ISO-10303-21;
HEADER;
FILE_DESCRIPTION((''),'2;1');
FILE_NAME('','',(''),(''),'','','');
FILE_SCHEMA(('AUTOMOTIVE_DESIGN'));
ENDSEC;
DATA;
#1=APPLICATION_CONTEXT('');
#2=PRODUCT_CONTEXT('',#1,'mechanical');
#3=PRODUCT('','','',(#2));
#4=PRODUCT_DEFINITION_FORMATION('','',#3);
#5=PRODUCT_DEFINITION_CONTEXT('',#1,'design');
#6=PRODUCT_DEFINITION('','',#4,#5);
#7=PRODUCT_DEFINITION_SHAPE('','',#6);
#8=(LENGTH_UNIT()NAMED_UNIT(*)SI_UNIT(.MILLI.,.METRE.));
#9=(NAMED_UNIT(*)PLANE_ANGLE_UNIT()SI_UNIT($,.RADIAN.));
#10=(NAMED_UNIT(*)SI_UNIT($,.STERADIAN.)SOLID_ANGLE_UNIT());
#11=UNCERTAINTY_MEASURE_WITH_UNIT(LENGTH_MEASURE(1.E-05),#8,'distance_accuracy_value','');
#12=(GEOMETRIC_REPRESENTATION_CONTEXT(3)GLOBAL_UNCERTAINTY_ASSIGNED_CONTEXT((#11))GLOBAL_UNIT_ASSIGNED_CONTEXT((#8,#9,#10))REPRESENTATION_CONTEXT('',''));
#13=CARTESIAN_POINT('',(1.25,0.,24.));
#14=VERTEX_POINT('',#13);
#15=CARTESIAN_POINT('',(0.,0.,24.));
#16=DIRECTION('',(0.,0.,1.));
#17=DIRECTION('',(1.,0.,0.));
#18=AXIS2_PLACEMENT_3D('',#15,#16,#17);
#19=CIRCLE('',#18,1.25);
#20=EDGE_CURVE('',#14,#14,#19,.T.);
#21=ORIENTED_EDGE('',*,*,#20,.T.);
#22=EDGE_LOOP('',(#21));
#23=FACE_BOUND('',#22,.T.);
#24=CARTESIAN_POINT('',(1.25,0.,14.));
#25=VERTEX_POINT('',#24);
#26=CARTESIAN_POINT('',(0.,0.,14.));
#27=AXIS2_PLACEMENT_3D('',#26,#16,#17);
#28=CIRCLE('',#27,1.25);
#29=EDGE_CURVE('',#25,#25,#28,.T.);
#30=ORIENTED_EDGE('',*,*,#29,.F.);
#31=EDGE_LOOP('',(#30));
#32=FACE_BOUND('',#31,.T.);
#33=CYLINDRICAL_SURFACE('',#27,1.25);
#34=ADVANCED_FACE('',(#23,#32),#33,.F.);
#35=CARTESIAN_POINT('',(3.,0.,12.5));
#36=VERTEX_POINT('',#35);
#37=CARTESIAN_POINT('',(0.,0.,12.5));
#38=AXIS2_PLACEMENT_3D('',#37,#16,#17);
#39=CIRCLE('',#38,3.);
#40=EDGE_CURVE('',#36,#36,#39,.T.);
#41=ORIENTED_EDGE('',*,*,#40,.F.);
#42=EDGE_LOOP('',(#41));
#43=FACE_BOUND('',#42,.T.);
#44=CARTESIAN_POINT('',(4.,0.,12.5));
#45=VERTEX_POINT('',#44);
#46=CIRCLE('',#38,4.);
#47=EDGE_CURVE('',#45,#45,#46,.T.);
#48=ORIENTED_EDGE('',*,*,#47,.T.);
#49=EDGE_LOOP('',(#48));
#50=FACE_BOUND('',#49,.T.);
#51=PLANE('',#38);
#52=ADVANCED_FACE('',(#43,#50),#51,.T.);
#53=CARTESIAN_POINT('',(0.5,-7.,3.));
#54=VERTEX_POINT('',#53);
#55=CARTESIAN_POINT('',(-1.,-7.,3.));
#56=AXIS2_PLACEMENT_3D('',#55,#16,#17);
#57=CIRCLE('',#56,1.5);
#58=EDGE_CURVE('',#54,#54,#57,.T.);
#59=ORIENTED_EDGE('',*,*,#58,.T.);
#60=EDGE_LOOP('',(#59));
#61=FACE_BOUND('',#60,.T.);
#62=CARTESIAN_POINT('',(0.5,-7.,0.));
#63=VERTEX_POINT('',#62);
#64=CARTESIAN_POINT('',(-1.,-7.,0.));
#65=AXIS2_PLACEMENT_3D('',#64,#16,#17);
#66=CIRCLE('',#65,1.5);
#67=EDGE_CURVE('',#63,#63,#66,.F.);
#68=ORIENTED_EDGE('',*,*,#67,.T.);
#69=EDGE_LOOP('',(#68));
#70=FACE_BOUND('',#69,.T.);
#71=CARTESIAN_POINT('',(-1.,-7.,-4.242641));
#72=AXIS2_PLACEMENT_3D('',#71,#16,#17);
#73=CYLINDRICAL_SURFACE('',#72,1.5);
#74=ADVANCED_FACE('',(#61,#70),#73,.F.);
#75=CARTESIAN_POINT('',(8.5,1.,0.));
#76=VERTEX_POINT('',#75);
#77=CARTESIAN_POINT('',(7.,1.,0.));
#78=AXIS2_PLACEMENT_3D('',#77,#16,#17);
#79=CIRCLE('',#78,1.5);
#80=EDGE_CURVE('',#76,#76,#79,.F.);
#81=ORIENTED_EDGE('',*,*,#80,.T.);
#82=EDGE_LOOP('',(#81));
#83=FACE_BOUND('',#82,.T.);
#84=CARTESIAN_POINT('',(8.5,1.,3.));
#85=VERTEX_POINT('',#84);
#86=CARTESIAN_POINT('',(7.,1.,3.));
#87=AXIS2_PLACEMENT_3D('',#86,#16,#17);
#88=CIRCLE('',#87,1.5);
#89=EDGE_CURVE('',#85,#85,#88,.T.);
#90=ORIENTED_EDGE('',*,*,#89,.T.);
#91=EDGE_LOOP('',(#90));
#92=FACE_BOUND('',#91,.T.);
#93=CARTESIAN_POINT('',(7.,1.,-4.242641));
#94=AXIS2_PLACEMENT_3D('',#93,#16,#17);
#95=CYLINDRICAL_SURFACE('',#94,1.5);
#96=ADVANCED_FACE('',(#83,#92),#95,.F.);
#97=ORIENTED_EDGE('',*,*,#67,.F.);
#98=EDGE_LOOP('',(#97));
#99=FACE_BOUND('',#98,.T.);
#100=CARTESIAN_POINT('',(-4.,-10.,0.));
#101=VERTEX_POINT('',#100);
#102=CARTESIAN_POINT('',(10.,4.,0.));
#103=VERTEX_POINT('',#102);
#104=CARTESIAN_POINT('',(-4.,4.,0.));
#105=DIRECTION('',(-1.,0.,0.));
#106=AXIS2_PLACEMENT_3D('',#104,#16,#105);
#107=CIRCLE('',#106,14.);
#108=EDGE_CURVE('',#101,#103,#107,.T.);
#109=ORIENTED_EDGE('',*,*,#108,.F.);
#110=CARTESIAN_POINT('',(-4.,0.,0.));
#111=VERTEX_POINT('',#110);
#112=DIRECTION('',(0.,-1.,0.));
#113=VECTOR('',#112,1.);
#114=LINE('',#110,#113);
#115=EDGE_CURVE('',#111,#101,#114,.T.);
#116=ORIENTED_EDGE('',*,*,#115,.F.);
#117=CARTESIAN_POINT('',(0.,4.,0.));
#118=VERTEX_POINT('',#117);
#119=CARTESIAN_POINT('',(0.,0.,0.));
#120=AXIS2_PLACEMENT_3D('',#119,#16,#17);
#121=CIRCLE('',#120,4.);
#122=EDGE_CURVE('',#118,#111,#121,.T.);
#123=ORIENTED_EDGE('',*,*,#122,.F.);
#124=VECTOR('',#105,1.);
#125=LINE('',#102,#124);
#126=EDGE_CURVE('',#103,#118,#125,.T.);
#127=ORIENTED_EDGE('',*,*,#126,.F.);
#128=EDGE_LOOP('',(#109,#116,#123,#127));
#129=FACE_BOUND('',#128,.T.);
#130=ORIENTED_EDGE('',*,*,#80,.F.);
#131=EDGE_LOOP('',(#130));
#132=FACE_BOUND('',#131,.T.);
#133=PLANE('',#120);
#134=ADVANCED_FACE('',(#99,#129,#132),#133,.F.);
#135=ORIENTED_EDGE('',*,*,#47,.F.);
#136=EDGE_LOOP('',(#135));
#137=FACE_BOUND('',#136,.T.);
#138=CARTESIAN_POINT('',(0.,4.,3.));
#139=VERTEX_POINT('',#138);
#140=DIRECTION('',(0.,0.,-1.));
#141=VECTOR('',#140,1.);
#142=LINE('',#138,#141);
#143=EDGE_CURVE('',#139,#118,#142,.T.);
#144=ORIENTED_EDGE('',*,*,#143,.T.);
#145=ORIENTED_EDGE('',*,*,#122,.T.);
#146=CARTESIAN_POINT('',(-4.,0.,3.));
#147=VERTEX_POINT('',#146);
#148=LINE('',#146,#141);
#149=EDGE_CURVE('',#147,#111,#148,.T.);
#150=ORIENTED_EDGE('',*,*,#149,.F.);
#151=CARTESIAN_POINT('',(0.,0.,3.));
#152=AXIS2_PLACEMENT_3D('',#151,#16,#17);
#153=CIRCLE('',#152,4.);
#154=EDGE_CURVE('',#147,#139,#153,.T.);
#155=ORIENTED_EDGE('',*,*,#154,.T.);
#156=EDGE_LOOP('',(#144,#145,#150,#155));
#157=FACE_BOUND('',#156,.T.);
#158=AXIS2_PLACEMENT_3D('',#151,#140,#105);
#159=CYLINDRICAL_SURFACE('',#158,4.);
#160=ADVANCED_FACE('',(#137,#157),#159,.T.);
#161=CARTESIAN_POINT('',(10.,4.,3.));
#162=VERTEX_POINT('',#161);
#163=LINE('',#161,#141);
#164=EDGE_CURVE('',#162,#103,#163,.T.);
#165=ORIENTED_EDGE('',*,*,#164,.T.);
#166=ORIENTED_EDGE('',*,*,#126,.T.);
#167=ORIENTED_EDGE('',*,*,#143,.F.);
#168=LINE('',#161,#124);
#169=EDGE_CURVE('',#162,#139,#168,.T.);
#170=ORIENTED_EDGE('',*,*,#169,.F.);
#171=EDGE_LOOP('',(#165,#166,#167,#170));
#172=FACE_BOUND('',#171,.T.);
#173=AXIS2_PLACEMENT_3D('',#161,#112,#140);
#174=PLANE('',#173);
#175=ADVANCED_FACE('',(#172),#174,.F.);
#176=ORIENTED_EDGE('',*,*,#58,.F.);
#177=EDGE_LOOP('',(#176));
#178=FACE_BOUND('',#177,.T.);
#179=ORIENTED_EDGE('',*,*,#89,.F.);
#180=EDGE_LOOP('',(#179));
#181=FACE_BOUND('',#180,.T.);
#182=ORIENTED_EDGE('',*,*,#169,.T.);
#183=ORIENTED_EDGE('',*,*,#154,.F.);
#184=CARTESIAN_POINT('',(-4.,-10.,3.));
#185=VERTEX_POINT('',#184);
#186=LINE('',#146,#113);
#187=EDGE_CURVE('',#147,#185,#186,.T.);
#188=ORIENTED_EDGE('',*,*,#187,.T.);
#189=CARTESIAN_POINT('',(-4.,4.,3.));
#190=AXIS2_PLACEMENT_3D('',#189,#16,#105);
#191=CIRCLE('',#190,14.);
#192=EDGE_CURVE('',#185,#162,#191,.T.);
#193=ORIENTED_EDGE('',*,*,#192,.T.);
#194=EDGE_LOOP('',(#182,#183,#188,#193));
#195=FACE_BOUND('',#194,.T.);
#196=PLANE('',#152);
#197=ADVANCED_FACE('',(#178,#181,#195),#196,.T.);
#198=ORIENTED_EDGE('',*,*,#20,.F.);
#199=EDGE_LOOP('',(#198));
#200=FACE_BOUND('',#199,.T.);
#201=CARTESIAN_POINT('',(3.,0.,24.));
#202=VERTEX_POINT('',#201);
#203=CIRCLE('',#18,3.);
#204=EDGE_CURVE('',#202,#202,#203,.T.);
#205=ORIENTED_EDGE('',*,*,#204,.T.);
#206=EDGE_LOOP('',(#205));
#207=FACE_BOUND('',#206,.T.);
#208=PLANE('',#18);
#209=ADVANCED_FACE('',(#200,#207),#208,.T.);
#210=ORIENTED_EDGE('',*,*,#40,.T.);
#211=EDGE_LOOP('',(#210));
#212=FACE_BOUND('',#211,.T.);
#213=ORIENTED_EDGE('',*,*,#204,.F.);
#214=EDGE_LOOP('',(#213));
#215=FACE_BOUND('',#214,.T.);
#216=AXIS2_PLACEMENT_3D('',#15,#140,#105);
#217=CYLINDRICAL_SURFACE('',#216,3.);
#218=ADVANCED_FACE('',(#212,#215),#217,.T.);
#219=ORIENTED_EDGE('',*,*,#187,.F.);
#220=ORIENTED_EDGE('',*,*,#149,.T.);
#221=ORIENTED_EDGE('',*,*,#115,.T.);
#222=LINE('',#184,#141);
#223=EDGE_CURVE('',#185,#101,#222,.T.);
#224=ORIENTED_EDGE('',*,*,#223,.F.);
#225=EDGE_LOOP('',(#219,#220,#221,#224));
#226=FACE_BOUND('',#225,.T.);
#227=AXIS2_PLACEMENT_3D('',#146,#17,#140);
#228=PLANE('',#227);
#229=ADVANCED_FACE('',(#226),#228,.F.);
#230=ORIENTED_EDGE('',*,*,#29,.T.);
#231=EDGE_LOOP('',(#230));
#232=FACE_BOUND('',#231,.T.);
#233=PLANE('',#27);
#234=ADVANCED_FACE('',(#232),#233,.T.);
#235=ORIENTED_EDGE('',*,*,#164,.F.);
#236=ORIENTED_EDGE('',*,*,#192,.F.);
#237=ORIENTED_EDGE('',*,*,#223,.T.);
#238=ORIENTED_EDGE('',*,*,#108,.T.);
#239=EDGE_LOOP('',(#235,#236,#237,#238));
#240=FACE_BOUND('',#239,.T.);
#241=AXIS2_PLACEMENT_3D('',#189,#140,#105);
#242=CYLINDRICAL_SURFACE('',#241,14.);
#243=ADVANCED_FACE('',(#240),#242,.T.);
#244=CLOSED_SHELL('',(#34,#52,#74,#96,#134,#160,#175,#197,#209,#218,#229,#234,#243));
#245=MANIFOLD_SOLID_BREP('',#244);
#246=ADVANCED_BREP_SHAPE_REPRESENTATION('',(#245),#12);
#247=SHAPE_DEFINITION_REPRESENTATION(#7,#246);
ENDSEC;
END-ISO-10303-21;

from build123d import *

# Parameters (mm, degrees)
EXTRUDE1_DEPTH        = 3
SKETCH2_R             = 4
EXTRUDE2_DEPTH        = 9.5
SKETCH3_R             = 3
EXTRUDE3_DEPTH        = 11.5
SKETCH4_R             = 1.25
EXTRUDE4_DEPTH        = 10
SKETCH5_R             = 1.5
EXTRUDE5_DEPTH        = 3
M3_TAPPED_HOLE1_D     = 2.5
M3_TAPPED_HOLE1_DEPTH = 7.5
M3_TAPPED_HOLE1_TIP   = 0.751075774


with BuildPart() as part:
    # Sketch1 → Extrude1 (new body)
    with BuildSketch(Plane.XY):
        with BuildLine():
            Line((10, 4), (0, 4))
            ThreePointArc((0, 4), (-2.828427125, 2.828427125), (-4, 0))
            Line((-4, 0), (-4, -10))
            ThreePointArc((-4, -10), (5.899494937, -5.899494937), (10, 4))
        make_face()
    extrude(amount=EXTRUDE1_DEPTH)

    # Sketch2 → Extrude2 (add)
    with BuildSketch(Plane.XY.offset(3)):
        with Locations(Location((0, 0, 0), (0, 0, 180))):
            Circle(SKETCH2_R)
    extrude(amount=EXTRUDE2_DEPTH)

    # Sketch3 → Extrude3 (add)
    with BuildSketch(Plane.XY.offset(12.5)):
        Circle(SKETCH3_R)
    extrude(amount=EXTRUDE3_DEPTH)

    # Sketch4 → Extrude4 (cut)
    with BuildSketch(Plane.XY.offset(24)):
        Circle(SKETCH4_R)
    extrude(amount=-EXTRUDE4_DEPTH, mode=Mode.SUBTRACT)

    # Sketch5 → Extrude5 (cut)
    with BuildSketch(Plane.XY.offset(3)):
        with Locations((7, 1)):
            Circle(SKETCH5_R)
        with Locations((-1, -7)):
            Circle(SKETCH5_R)
    extrude(amount=-EXTRUDE5_DEPTH, mode=Mode.SUBTRACT)

    # M3 Tapped Hole1
    with Locations(Plane.XY.offset(24)):
        with Locations((0, 0)):
            Hole(M3_TAPPED_HOLE1_D / 2, depth=M3_TAPPED_HOLE1_DEPTH)
            with Locations((0, 0, -(M3_TAPPED_HOLE1_DEPTH + M3_TAPPED_HOLE1_TIP / 2))):  # 118° drill point
                Cone(0, M3_TAPPED_HOLE1_D / 2, M3_TAPPED_HOLE1_TIP, mode=Mode.SUBTRACT)


solid = part.part
